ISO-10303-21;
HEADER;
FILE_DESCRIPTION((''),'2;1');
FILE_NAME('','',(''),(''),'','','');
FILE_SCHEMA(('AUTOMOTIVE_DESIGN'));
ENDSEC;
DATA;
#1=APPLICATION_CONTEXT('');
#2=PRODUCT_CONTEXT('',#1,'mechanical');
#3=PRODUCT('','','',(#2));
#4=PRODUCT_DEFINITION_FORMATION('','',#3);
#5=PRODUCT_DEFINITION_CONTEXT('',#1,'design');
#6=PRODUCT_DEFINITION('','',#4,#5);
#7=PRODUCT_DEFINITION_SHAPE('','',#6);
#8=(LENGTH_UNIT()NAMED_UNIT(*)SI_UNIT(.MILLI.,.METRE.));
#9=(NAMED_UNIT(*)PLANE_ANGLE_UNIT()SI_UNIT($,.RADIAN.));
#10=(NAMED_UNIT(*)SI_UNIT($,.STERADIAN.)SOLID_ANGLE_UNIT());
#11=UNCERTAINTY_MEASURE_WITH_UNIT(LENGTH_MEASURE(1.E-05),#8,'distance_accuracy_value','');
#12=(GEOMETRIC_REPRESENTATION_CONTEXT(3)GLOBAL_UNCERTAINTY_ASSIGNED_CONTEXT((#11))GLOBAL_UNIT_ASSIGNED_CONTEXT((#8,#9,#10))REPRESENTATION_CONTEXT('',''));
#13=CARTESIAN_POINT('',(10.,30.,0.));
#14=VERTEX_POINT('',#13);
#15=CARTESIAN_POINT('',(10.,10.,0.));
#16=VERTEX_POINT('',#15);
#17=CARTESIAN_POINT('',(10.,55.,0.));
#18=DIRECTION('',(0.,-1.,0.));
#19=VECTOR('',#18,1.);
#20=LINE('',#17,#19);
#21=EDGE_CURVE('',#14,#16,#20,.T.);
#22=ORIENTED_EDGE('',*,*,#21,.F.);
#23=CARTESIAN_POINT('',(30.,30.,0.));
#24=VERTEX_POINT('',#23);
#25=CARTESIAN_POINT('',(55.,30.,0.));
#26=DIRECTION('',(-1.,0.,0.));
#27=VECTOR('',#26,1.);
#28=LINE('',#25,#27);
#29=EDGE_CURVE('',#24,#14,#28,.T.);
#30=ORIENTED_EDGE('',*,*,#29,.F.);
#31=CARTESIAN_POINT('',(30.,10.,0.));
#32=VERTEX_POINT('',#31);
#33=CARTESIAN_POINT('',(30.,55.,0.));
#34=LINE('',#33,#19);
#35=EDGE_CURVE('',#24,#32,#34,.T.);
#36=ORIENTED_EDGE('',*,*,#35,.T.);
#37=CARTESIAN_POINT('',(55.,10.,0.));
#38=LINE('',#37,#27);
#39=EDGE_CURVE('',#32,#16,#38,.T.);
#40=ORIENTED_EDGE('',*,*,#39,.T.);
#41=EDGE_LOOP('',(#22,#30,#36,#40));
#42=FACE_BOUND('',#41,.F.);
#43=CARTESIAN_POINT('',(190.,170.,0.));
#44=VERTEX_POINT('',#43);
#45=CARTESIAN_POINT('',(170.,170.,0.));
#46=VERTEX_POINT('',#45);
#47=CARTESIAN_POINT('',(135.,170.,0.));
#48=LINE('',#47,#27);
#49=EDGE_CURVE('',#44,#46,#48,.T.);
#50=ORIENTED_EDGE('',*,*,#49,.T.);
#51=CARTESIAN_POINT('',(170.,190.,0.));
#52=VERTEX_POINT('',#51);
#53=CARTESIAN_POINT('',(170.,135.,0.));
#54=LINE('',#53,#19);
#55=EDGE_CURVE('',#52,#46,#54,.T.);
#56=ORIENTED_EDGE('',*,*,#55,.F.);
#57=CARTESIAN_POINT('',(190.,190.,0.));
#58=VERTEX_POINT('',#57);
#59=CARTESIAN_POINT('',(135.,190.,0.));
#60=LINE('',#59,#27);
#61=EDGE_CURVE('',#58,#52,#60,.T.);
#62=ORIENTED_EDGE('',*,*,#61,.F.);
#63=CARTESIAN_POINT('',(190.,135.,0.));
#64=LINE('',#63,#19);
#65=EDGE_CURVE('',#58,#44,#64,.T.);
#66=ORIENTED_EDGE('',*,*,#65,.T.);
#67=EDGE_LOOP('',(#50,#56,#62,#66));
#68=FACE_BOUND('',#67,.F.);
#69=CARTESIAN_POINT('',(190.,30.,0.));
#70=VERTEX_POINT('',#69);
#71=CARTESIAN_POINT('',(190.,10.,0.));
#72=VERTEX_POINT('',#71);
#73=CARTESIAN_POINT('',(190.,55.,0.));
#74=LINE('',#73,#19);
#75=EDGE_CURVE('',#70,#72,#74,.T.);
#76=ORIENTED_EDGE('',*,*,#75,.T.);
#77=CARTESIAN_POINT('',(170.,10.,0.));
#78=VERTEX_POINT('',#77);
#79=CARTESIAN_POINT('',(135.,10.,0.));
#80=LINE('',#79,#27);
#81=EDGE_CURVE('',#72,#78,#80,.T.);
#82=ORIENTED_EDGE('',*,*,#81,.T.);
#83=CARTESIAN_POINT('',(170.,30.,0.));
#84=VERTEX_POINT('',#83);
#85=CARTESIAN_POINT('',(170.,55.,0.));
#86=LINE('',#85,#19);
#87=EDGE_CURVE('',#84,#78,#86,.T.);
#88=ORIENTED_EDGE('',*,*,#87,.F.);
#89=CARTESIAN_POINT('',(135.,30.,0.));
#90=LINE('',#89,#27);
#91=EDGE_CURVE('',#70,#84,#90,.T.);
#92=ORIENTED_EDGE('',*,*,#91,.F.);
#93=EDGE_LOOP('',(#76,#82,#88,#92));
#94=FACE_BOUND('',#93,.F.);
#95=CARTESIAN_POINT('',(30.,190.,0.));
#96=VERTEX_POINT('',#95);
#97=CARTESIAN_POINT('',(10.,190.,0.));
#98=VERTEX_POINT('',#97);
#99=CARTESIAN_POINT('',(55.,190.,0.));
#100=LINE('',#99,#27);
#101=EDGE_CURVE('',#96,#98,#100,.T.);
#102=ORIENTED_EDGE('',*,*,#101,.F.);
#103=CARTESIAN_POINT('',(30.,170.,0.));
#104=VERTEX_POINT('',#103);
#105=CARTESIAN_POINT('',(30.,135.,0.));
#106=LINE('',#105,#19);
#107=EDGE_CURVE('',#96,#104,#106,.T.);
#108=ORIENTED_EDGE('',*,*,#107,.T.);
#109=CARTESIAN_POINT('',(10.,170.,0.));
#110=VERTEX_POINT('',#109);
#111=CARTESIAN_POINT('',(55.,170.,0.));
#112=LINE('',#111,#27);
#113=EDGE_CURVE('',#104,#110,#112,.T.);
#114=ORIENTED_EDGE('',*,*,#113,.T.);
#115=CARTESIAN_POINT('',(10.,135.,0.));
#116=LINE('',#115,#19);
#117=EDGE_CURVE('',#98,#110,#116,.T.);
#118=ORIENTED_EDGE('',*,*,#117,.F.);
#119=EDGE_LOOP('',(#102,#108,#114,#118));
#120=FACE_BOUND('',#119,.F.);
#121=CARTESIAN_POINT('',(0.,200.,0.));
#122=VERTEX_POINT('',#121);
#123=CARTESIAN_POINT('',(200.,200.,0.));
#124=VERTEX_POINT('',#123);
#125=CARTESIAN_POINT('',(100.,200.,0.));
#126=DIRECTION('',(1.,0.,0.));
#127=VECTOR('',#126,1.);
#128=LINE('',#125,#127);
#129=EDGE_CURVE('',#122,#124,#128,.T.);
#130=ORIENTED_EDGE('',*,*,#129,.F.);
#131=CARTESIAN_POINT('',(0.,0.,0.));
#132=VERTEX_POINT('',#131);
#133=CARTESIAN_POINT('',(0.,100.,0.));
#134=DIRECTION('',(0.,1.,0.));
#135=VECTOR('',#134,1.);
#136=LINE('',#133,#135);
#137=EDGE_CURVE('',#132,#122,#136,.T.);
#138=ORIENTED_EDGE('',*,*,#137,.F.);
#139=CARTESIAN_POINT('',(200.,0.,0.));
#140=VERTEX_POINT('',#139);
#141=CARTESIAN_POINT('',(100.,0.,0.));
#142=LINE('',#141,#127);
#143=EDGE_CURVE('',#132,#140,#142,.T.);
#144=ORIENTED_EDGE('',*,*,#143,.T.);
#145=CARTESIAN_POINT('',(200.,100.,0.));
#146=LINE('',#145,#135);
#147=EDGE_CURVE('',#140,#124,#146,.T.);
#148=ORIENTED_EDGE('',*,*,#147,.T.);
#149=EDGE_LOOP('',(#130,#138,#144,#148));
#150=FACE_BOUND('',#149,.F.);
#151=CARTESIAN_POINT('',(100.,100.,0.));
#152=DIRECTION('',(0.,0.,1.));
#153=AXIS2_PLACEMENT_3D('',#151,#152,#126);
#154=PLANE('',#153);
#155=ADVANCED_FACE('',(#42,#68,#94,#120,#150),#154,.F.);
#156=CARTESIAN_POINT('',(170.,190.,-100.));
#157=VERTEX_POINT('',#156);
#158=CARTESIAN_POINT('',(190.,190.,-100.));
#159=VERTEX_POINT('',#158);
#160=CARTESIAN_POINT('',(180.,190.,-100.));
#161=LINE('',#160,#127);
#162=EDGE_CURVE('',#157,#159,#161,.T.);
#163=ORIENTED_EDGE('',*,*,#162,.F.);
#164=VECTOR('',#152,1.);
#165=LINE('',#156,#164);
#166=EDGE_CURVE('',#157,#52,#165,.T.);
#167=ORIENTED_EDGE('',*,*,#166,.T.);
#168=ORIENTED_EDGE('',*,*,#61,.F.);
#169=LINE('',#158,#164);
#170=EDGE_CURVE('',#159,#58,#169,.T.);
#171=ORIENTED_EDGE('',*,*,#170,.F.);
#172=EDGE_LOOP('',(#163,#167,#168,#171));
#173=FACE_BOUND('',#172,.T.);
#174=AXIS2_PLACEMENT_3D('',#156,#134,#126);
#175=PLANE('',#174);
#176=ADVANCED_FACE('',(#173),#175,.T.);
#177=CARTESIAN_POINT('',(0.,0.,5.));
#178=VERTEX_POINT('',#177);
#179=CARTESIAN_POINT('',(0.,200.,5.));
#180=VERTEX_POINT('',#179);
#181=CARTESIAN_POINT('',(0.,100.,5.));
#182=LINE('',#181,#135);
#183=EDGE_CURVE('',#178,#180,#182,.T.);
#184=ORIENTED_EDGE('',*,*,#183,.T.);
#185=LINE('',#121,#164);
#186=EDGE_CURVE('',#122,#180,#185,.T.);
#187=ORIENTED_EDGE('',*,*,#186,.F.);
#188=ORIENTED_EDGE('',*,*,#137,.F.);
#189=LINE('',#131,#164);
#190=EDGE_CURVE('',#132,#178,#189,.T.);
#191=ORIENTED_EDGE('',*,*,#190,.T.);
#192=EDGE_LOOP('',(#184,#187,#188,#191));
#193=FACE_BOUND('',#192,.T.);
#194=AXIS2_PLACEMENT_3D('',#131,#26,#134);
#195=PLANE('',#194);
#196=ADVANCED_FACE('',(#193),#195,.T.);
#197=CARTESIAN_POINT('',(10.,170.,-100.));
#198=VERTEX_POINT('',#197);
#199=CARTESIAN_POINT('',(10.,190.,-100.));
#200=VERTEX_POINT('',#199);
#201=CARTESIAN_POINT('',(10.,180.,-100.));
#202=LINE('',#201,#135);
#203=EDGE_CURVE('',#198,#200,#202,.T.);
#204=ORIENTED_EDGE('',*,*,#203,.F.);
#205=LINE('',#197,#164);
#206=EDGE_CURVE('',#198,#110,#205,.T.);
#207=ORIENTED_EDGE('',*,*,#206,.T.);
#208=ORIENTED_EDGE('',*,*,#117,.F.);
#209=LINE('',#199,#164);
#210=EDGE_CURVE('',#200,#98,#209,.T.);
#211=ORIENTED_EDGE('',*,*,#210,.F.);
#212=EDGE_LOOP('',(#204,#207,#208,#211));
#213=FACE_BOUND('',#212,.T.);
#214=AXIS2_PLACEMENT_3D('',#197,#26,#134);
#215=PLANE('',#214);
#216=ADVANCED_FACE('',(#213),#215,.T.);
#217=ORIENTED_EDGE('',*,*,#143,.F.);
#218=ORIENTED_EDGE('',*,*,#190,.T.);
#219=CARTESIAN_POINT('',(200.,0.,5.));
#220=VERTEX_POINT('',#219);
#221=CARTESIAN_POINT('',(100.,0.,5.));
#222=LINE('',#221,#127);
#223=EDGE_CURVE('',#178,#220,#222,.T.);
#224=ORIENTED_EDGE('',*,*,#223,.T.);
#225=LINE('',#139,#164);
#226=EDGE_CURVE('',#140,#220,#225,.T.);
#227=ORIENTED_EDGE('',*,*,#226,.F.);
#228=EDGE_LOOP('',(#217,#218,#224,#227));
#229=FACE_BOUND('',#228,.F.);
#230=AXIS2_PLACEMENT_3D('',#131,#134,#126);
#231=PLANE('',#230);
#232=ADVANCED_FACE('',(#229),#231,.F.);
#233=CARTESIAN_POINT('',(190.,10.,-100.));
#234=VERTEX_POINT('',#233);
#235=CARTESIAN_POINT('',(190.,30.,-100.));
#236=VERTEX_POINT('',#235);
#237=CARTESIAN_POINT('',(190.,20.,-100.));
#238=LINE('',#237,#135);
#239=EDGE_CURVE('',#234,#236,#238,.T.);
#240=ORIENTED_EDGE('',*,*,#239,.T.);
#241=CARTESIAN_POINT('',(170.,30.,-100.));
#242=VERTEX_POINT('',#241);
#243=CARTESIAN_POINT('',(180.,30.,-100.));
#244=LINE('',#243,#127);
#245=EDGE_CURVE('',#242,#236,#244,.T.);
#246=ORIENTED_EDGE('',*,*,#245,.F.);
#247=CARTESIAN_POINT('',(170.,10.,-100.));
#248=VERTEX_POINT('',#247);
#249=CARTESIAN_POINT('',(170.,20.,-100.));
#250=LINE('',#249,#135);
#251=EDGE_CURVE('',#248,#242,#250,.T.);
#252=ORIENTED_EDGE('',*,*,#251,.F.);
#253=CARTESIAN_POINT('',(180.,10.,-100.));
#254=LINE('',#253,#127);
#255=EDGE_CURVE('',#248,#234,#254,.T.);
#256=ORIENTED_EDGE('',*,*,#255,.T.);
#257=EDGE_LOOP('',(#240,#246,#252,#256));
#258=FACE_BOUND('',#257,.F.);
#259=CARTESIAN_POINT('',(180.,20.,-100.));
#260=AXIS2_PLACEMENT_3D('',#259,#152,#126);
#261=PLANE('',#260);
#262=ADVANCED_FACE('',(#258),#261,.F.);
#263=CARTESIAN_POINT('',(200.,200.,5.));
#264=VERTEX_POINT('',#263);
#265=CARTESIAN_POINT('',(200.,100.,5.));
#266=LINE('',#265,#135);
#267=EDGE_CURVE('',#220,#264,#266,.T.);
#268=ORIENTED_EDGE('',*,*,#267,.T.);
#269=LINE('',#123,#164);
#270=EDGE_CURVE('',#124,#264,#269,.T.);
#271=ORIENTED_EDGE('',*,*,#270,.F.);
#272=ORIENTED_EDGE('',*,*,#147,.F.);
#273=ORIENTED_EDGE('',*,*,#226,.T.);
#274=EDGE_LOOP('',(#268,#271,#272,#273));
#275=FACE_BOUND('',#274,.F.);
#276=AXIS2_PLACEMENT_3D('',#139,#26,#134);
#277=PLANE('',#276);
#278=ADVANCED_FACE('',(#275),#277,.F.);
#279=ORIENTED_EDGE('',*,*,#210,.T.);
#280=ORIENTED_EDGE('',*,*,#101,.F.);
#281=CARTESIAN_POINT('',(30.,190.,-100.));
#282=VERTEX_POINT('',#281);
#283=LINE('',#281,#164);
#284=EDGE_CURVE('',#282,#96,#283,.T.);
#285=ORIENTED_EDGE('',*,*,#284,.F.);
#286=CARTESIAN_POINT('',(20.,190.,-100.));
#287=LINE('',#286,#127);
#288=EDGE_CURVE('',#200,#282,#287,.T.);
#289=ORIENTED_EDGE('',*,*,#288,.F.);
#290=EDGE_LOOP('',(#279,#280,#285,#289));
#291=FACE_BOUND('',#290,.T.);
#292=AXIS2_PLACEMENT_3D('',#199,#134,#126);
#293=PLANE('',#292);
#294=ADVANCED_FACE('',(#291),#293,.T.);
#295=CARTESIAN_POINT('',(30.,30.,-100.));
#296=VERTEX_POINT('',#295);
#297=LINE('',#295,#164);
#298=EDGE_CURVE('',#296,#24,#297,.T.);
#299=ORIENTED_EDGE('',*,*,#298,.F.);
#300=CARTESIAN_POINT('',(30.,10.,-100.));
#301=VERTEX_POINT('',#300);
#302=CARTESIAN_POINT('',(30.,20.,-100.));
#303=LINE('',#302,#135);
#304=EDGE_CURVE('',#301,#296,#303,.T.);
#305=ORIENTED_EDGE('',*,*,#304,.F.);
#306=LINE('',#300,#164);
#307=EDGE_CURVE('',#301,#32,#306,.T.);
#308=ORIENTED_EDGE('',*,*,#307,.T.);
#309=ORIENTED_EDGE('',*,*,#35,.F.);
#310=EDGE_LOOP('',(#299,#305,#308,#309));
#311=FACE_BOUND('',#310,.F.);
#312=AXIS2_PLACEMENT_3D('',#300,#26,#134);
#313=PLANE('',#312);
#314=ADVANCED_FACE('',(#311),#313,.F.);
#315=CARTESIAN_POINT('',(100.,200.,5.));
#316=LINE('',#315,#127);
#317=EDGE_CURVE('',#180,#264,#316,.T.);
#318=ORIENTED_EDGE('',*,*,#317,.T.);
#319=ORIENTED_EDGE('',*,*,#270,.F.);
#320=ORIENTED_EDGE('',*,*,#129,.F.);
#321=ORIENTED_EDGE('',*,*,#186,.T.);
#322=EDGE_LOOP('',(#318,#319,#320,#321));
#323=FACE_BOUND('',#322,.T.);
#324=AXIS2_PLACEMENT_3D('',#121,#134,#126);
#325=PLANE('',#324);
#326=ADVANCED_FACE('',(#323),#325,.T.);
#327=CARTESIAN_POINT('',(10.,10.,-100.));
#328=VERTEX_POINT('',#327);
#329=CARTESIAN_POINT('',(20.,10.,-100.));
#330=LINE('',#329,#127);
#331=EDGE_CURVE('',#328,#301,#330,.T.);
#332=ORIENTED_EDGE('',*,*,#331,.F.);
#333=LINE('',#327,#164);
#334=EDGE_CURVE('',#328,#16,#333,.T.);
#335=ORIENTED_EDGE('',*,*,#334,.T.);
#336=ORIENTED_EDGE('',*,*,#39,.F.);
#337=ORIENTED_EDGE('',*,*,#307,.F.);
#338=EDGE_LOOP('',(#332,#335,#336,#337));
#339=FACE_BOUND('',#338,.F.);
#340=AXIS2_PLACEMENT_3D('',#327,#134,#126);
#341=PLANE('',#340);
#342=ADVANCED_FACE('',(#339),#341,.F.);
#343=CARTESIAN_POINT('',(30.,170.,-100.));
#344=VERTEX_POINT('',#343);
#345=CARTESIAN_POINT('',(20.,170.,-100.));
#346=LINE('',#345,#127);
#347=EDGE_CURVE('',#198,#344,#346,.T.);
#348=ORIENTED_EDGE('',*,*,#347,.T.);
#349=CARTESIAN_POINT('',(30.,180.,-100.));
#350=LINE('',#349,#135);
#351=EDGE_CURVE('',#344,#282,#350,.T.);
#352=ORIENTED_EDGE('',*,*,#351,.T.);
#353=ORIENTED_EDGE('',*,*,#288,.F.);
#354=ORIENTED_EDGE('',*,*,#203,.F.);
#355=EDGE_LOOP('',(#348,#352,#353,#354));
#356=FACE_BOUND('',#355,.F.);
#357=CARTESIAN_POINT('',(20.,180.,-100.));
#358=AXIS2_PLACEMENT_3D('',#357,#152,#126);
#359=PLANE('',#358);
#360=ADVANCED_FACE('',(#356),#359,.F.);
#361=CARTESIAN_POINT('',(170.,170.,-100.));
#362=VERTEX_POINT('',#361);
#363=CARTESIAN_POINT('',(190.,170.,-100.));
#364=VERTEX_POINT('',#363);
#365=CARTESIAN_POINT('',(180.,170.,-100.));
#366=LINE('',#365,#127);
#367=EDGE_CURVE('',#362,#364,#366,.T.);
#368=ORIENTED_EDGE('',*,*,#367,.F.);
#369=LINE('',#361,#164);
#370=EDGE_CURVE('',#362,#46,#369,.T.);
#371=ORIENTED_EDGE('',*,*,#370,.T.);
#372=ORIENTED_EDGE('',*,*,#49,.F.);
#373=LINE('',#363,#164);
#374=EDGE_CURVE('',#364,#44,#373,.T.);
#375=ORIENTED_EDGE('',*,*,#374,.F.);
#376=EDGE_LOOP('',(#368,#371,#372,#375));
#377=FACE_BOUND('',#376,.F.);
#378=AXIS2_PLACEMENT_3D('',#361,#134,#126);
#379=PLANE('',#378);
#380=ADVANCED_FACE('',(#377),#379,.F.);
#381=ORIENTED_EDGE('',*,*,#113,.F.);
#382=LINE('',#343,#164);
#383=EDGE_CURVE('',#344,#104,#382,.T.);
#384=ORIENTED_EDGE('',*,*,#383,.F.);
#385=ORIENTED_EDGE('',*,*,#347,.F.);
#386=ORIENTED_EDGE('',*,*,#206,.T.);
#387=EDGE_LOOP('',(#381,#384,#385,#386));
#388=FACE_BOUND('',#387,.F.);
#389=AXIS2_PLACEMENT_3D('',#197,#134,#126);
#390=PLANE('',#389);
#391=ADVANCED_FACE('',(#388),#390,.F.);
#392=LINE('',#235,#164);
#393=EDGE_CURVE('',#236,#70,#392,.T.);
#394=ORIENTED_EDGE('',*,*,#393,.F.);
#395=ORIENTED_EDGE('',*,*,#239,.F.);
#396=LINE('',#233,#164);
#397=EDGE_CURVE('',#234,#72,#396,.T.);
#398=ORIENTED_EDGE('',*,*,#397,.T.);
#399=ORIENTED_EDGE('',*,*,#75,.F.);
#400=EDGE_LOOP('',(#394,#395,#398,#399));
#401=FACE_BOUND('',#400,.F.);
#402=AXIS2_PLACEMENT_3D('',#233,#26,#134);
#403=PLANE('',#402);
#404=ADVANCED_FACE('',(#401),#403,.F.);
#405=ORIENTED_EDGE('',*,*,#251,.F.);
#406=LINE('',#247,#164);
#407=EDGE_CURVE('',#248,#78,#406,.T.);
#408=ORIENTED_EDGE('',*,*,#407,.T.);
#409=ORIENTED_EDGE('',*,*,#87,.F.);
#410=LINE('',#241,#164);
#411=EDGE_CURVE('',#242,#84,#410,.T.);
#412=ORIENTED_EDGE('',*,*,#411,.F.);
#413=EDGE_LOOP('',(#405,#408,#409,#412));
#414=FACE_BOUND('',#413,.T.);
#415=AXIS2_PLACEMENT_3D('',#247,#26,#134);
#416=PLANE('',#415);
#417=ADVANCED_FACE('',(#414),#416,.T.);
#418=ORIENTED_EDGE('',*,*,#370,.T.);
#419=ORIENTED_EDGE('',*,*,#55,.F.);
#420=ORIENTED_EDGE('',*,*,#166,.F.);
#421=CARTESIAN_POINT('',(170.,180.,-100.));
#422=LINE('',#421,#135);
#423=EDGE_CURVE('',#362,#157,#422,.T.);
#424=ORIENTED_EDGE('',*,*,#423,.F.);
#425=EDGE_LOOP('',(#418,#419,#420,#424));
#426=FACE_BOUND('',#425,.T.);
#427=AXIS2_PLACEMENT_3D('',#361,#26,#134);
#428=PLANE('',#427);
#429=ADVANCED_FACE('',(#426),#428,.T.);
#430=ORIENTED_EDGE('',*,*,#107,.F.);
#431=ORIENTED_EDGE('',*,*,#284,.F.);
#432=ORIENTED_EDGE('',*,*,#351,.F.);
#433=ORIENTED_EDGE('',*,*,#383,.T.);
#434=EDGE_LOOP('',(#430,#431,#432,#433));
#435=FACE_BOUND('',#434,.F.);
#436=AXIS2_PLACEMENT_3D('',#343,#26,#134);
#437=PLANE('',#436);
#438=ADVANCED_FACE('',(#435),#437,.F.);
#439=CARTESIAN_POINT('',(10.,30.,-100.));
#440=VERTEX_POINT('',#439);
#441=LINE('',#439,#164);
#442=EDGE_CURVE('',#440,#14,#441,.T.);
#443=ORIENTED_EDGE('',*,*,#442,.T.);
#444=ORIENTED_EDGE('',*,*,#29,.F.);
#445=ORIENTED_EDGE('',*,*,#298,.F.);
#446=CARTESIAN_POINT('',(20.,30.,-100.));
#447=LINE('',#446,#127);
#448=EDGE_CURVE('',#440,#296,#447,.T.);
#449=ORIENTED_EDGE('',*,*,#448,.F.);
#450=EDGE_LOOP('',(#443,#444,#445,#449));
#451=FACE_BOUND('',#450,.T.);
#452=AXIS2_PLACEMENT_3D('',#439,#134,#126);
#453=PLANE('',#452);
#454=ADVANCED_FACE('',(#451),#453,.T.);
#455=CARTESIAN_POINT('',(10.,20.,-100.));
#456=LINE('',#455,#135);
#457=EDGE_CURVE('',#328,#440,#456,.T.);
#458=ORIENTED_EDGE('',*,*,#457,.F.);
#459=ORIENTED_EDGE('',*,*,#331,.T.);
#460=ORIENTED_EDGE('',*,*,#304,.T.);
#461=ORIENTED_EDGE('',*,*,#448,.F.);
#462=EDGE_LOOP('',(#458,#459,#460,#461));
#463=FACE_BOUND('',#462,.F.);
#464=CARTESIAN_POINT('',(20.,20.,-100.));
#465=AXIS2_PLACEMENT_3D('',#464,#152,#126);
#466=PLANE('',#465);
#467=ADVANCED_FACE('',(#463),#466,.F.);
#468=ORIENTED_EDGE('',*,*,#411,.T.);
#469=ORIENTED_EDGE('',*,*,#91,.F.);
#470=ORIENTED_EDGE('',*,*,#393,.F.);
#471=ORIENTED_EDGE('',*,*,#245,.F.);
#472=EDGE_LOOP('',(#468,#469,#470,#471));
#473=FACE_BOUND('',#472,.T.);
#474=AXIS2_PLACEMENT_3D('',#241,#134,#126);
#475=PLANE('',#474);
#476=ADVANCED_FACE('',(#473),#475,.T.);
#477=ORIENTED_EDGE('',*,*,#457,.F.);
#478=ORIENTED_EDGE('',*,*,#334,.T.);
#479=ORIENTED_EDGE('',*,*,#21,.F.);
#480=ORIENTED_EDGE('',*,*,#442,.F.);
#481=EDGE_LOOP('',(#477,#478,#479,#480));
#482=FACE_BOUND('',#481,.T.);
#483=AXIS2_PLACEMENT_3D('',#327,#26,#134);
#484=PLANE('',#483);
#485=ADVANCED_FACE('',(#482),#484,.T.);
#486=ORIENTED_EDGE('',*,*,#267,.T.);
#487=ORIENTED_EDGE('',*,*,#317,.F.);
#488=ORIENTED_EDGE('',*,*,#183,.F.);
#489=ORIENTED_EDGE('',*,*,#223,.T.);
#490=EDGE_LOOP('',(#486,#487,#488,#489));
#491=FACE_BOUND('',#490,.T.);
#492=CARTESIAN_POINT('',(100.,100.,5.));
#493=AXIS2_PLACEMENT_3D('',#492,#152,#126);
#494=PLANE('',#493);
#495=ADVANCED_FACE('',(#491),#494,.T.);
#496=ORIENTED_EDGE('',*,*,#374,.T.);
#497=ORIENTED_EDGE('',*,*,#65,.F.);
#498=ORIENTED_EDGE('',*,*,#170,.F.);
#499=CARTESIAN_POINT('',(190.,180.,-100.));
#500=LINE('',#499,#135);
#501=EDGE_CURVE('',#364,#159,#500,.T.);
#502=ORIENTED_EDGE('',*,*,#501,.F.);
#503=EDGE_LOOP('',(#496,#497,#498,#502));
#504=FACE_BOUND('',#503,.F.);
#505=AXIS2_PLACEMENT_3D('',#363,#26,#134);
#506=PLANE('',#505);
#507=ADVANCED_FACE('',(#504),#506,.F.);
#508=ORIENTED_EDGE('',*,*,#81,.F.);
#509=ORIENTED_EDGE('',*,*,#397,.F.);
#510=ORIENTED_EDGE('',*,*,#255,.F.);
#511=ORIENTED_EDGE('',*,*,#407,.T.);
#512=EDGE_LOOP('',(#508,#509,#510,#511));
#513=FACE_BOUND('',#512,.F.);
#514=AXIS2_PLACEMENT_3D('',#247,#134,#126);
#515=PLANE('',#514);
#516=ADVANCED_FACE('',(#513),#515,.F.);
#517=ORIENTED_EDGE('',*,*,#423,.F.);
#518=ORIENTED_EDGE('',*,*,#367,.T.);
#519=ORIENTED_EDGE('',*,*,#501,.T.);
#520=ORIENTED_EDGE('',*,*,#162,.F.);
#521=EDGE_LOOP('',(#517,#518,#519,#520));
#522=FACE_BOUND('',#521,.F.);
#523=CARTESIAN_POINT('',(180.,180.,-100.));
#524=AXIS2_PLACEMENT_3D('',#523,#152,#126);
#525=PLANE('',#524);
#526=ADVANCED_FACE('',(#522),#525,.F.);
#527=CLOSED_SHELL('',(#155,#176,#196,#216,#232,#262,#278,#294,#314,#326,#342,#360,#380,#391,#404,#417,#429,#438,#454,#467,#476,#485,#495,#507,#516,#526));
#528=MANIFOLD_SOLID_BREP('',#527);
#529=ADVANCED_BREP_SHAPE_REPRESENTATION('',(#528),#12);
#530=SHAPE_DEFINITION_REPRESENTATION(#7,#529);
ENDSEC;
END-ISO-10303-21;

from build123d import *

# Parameters (mm, degrees)
BOX001_W     = 20
BOX001_H     = 20
BOX001_DEPTH = 101
BOX002_W     = 20
BOX002_H     = 20
BOX002_DEPTH = 101
BOX003_W     = 20
BOX003_H     = 20
BOX003_DEPTH = 101
BOX004_W     = 20
BOX004_H     = 20
BOX004_DEPTH = 101
BOX_W        = 200
BOX_H        = 200
BOX_DEPTH    = 5


with BuildPart() as pata1:
    # Box001 → Box001 (new body)
    with BuildSketch(Plane(origin=(10, 10, -100), x_dir=(1, 0, 0), z_dir=(0, 0, 1))):
        with Locations((10, 10)):
            Rectangle(BOX001_W, BOX001_H)
    extrude(amount=BOX001_DEPTH)


with BuildPart() as box002:
    # Box002 → Box002 (new body)
    with BuildSketch(Plane(origin=(170, 10, -100), x_dir=(1, 0, 0), z_dir=(0, 0, 1))):
        with Locations((10, 10)):
            Rectangle(BOX002_W, BOX002_H)
    extrude(amount=BOX002_DEPTH)


with BuildPart() as box003:
    # Box003 → Box003 (new body)
    with BuildSketch(Plane(origin=(10, 170, -100), x_dir=(1, 0, 0), z_dir=(0, 0, 1))):
        with Locations((10, 10)):
            Rectangle(BOX003_W, BOX003_H)
    extrude(amount=BOX003_DEPTH)


with BuildPart() as box004:
    # Box004 → Box004 (new body)
    with BuildSketch(Plane(origin=(170, 170, -100), x_dir=(1, 0, 0), z_dir=(0, 0, 1))):
        with Locations((10, 10)):
            Rectangle(BOX004_W, BOX004_H)
    extrude(amount=BOX004_DEPTH)


with BuildPart() as mesa:
    # Box → Box (new body)
    with BuildSketch(Plane.XY):
        with Locations((100, 100)):
            Rectangle(BOX_W, BOX_H)
    extrude(amount=BOX_DEPTH)

    # Fusion: union Pata1, Box002, Box003, Box004
    add(pata1.part)
    add(box002.part)
    add(box003.part)
    add(box004.part)


solid = mesa.part
